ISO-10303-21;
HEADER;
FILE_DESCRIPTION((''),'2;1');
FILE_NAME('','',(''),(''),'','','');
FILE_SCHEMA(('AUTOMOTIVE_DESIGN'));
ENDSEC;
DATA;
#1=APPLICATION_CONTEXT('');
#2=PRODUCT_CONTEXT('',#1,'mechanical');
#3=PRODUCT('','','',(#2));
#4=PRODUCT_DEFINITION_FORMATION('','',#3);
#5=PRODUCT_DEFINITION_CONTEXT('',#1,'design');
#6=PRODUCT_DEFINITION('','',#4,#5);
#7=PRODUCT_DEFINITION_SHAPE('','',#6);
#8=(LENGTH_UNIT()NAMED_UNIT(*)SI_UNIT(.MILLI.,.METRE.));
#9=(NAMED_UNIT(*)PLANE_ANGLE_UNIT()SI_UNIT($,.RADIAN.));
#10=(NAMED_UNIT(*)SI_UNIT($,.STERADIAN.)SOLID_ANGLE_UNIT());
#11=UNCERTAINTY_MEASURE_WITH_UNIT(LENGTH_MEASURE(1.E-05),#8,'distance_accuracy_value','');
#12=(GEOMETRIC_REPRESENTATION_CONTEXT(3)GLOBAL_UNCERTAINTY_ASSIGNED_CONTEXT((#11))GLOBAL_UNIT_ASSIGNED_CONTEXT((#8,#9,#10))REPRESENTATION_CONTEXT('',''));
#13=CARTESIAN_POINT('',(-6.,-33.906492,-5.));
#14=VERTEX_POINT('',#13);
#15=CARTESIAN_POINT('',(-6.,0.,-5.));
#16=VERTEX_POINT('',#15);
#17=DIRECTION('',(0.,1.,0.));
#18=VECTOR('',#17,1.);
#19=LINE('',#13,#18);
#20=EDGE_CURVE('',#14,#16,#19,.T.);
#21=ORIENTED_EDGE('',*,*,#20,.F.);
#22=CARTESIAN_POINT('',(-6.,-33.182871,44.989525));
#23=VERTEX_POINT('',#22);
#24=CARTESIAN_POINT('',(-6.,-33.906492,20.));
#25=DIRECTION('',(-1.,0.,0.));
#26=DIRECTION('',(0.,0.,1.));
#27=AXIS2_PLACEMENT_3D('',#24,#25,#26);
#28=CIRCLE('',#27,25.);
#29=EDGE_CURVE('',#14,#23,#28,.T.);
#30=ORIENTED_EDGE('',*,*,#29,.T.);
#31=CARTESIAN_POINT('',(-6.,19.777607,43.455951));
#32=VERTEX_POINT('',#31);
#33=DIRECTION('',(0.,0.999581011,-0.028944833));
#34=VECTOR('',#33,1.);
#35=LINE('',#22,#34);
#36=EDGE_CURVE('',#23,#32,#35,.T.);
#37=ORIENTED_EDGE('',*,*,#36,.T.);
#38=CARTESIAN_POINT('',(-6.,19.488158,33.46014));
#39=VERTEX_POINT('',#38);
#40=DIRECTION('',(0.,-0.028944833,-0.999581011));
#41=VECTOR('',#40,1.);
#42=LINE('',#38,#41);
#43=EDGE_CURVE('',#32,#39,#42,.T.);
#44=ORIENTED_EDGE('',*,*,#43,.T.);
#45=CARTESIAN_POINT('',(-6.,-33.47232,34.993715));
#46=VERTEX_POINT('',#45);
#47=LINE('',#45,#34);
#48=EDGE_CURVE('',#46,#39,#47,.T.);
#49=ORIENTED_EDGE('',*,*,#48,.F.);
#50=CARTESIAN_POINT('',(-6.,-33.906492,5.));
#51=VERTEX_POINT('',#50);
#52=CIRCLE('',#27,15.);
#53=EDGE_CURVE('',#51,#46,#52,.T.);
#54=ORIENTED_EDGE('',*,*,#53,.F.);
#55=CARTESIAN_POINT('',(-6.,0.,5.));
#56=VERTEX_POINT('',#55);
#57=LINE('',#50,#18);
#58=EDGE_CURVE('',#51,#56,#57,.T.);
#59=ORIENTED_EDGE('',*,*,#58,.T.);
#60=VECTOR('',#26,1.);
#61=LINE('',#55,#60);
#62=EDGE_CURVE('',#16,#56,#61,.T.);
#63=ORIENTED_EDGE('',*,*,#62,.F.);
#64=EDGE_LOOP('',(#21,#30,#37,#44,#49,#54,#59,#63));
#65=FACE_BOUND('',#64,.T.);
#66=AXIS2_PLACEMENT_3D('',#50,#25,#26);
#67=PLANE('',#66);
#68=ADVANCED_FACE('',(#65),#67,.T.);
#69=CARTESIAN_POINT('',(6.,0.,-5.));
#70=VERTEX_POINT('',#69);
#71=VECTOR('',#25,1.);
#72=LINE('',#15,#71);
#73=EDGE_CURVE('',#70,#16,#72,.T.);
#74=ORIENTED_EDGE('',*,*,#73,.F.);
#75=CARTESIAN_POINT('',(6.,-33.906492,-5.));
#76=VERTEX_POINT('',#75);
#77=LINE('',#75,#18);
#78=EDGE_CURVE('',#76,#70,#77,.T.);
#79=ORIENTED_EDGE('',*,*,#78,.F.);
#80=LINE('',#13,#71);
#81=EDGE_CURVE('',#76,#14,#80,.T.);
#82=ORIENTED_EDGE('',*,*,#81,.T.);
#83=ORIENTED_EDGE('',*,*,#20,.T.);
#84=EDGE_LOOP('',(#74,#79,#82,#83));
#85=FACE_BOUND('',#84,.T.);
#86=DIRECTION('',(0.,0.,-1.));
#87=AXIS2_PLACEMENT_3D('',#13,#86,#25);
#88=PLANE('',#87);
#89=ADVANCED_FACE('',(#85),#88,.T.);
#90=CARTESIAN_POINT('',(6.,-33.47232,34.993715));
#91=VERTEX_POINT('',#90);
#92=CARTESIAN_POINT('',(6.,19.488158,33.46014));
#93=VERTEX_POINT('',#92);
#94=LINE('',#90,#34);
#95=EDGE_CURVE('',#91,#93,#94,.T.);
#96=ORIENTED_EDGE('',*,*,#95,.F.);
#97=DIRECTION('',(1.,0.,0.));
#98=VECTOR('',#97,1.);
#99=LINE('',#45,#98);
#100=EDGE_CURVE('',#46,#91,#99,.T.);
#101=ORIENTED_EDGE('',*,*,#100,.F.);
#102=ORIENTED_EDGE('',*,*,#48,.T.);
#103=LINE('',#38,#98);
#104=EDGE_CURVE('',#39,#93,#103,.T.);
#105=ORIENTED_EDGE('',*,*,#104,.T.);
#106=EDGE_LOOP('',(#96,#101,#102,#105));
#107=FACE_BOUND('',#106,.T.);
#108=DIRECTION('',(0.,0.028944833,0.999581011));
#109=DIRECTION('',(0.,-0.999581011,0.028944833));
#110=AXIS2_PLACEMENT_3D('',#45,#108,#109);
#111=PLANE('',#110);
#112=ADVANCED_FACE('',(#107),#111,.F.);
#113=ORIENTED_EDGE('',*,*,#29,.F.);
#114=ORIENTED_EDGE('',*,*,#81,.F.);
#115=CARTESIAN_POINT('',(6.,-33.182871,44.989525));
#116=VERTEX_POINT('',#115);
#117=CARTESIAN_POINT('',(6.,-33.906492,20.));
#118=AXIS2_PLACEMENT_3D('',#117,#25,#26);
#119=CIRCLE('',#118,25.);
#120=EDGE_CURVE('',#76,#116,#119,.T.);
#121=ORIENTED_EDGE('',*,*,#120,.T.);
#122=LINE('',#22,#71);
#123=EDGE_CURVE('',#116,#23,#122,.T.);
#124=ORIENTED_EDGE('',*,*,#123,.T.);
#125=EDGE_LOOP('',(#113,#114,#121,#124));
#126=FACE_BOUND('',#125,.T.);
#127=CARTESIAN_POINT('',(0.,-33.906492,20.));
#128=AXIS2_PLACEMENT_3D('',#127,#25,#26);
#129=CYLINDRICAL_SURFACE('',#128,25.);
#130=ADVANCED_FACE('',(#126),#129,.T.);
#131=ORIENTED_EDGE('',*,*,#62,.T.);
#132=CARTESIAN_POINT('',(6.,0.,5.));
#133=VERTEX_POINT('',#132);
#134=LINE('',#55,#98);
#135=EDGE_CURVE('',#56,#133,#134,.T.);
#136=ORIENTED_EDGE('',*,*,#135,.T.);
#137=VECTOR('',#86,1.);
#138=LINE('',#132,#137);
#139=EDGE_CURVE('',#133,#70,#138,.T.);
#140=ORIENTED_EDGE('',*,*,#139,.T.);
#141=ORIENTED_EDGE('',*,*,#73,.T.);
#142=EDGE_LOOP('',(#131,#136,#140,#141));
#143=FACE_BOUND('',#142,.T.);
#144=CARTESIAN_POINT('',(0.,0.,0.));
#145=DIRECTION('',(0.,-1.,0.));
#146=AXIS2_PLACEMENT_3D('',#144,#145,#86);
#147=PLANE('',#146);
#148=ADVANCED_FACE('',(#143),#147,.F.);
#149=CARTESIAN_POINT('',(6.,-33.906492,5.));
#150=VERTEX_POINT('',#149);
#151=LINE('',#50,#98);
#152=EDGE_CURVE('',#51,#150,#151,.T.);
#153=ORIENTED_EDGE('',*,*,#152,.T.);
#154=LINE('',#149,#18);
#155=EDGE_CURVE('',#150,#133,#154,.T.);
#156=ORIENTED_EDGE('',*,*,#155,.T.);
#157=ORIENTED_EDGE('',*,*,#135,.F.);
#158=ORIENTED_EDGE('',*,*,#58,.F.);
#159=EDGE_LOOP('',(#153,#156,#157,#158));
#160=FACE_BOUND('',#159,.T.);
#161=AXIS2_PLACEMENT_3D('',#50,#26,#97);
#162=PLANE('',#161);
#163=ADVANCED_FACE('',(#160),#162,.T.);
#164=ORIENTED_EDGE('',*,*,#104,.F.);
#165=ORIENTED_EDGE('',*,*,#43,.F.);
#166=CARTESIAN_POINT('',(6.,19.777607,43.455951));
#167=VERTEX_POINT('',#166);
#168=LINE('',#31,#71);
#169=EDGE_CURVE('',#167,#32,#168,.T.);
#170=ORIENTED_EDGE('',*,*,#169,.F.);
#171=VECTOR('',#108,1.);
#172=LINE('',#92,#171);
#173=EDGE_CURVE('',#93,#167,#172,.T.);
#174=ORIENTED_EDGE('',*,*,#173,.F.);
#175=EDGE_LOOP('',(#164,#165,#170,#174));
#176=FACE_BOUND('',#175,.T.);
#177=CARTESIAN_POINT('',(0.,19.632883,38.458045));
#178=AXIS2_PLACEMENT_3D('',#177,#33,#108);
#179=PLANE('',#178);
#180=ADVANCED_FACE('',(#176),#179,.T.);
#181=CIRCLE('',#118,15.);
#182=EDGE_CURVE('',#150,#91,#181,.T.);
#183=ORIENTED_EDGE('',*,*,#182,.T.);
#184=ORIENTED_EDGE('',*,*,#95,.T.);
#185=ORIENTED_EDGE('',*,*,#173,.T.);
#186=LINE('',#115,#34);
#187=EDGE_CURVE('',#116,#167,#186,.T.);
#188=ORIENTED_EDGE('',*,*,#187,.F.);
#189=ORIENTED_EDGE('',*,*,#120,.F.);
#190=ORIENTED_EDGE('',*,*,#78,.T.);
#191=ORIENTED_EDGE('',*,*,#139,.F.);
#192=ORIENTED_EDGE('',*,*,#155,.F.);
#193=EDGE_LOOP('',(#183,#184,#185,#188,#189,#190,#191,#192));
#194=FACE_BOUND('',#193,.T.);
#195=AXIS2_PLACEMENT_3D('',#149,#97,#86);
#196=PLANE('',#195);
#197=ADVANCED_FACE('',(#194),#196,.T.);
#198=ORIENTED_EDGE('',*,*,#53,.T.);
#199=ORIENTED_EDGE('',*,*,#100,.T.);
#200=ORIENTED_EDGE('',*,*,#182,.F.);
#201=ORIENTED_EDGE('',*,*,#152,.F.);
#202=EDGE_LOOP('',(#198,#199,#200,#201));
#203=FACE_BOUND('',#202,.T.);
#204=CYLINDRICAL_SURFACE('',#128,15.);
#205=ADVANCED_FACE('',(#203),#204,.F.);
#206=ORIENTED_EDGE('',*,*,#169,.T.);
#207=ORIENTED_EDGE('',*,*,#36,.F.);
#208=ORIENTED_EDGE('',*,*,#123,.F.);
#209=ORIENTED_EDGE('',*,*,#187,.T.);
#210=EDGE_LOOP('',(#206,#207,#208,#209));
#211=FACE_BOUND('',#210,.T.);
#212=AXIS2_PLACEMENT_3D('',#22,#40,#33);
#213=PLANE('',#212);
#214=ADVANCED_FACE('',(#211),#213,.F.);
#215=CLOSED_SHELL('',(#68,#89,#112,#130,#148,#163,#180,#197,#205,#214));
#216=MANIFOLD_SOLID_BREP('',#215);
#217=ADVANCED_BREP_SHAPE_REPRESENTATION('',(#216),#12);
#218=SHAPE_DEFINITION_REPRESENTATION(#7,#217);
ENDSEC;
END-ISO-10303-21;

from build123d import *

# Parameters (mm, degrees)
ESQUISSE1_W = 12
ESQUISSE1_H = 10


with BuildPart() as part:
    # Balayage1: sweep along a path in Esquisse2
    with BuildLine(Plane(origin=(0, 0, 0), x_dir=(0, 0, -1), z_dir=(1, 0, 0))) as balayage1_path:
        Line((0, 0), (0, -33.906492139))
        ThreePointArc((0, -33.906492139), (-20.289478653, -53.904397082), (-39.991620211, -33.32759548))
        Line((-39.991620211, -33.32759548), (-38.458045468, 19.632882602))
    # Esquisse1 → Balayage1 (sweep)
    with BuildSketch(Plane(origin=(0, 0, 0), x_dir=(1, 0, 0), z_dir=(0, 1, 0))):
        Rectangle(ESQUISSE1_W, ESQUISSE1_H)
    sweep(path=balayage1_path.line)


solid = part.part
